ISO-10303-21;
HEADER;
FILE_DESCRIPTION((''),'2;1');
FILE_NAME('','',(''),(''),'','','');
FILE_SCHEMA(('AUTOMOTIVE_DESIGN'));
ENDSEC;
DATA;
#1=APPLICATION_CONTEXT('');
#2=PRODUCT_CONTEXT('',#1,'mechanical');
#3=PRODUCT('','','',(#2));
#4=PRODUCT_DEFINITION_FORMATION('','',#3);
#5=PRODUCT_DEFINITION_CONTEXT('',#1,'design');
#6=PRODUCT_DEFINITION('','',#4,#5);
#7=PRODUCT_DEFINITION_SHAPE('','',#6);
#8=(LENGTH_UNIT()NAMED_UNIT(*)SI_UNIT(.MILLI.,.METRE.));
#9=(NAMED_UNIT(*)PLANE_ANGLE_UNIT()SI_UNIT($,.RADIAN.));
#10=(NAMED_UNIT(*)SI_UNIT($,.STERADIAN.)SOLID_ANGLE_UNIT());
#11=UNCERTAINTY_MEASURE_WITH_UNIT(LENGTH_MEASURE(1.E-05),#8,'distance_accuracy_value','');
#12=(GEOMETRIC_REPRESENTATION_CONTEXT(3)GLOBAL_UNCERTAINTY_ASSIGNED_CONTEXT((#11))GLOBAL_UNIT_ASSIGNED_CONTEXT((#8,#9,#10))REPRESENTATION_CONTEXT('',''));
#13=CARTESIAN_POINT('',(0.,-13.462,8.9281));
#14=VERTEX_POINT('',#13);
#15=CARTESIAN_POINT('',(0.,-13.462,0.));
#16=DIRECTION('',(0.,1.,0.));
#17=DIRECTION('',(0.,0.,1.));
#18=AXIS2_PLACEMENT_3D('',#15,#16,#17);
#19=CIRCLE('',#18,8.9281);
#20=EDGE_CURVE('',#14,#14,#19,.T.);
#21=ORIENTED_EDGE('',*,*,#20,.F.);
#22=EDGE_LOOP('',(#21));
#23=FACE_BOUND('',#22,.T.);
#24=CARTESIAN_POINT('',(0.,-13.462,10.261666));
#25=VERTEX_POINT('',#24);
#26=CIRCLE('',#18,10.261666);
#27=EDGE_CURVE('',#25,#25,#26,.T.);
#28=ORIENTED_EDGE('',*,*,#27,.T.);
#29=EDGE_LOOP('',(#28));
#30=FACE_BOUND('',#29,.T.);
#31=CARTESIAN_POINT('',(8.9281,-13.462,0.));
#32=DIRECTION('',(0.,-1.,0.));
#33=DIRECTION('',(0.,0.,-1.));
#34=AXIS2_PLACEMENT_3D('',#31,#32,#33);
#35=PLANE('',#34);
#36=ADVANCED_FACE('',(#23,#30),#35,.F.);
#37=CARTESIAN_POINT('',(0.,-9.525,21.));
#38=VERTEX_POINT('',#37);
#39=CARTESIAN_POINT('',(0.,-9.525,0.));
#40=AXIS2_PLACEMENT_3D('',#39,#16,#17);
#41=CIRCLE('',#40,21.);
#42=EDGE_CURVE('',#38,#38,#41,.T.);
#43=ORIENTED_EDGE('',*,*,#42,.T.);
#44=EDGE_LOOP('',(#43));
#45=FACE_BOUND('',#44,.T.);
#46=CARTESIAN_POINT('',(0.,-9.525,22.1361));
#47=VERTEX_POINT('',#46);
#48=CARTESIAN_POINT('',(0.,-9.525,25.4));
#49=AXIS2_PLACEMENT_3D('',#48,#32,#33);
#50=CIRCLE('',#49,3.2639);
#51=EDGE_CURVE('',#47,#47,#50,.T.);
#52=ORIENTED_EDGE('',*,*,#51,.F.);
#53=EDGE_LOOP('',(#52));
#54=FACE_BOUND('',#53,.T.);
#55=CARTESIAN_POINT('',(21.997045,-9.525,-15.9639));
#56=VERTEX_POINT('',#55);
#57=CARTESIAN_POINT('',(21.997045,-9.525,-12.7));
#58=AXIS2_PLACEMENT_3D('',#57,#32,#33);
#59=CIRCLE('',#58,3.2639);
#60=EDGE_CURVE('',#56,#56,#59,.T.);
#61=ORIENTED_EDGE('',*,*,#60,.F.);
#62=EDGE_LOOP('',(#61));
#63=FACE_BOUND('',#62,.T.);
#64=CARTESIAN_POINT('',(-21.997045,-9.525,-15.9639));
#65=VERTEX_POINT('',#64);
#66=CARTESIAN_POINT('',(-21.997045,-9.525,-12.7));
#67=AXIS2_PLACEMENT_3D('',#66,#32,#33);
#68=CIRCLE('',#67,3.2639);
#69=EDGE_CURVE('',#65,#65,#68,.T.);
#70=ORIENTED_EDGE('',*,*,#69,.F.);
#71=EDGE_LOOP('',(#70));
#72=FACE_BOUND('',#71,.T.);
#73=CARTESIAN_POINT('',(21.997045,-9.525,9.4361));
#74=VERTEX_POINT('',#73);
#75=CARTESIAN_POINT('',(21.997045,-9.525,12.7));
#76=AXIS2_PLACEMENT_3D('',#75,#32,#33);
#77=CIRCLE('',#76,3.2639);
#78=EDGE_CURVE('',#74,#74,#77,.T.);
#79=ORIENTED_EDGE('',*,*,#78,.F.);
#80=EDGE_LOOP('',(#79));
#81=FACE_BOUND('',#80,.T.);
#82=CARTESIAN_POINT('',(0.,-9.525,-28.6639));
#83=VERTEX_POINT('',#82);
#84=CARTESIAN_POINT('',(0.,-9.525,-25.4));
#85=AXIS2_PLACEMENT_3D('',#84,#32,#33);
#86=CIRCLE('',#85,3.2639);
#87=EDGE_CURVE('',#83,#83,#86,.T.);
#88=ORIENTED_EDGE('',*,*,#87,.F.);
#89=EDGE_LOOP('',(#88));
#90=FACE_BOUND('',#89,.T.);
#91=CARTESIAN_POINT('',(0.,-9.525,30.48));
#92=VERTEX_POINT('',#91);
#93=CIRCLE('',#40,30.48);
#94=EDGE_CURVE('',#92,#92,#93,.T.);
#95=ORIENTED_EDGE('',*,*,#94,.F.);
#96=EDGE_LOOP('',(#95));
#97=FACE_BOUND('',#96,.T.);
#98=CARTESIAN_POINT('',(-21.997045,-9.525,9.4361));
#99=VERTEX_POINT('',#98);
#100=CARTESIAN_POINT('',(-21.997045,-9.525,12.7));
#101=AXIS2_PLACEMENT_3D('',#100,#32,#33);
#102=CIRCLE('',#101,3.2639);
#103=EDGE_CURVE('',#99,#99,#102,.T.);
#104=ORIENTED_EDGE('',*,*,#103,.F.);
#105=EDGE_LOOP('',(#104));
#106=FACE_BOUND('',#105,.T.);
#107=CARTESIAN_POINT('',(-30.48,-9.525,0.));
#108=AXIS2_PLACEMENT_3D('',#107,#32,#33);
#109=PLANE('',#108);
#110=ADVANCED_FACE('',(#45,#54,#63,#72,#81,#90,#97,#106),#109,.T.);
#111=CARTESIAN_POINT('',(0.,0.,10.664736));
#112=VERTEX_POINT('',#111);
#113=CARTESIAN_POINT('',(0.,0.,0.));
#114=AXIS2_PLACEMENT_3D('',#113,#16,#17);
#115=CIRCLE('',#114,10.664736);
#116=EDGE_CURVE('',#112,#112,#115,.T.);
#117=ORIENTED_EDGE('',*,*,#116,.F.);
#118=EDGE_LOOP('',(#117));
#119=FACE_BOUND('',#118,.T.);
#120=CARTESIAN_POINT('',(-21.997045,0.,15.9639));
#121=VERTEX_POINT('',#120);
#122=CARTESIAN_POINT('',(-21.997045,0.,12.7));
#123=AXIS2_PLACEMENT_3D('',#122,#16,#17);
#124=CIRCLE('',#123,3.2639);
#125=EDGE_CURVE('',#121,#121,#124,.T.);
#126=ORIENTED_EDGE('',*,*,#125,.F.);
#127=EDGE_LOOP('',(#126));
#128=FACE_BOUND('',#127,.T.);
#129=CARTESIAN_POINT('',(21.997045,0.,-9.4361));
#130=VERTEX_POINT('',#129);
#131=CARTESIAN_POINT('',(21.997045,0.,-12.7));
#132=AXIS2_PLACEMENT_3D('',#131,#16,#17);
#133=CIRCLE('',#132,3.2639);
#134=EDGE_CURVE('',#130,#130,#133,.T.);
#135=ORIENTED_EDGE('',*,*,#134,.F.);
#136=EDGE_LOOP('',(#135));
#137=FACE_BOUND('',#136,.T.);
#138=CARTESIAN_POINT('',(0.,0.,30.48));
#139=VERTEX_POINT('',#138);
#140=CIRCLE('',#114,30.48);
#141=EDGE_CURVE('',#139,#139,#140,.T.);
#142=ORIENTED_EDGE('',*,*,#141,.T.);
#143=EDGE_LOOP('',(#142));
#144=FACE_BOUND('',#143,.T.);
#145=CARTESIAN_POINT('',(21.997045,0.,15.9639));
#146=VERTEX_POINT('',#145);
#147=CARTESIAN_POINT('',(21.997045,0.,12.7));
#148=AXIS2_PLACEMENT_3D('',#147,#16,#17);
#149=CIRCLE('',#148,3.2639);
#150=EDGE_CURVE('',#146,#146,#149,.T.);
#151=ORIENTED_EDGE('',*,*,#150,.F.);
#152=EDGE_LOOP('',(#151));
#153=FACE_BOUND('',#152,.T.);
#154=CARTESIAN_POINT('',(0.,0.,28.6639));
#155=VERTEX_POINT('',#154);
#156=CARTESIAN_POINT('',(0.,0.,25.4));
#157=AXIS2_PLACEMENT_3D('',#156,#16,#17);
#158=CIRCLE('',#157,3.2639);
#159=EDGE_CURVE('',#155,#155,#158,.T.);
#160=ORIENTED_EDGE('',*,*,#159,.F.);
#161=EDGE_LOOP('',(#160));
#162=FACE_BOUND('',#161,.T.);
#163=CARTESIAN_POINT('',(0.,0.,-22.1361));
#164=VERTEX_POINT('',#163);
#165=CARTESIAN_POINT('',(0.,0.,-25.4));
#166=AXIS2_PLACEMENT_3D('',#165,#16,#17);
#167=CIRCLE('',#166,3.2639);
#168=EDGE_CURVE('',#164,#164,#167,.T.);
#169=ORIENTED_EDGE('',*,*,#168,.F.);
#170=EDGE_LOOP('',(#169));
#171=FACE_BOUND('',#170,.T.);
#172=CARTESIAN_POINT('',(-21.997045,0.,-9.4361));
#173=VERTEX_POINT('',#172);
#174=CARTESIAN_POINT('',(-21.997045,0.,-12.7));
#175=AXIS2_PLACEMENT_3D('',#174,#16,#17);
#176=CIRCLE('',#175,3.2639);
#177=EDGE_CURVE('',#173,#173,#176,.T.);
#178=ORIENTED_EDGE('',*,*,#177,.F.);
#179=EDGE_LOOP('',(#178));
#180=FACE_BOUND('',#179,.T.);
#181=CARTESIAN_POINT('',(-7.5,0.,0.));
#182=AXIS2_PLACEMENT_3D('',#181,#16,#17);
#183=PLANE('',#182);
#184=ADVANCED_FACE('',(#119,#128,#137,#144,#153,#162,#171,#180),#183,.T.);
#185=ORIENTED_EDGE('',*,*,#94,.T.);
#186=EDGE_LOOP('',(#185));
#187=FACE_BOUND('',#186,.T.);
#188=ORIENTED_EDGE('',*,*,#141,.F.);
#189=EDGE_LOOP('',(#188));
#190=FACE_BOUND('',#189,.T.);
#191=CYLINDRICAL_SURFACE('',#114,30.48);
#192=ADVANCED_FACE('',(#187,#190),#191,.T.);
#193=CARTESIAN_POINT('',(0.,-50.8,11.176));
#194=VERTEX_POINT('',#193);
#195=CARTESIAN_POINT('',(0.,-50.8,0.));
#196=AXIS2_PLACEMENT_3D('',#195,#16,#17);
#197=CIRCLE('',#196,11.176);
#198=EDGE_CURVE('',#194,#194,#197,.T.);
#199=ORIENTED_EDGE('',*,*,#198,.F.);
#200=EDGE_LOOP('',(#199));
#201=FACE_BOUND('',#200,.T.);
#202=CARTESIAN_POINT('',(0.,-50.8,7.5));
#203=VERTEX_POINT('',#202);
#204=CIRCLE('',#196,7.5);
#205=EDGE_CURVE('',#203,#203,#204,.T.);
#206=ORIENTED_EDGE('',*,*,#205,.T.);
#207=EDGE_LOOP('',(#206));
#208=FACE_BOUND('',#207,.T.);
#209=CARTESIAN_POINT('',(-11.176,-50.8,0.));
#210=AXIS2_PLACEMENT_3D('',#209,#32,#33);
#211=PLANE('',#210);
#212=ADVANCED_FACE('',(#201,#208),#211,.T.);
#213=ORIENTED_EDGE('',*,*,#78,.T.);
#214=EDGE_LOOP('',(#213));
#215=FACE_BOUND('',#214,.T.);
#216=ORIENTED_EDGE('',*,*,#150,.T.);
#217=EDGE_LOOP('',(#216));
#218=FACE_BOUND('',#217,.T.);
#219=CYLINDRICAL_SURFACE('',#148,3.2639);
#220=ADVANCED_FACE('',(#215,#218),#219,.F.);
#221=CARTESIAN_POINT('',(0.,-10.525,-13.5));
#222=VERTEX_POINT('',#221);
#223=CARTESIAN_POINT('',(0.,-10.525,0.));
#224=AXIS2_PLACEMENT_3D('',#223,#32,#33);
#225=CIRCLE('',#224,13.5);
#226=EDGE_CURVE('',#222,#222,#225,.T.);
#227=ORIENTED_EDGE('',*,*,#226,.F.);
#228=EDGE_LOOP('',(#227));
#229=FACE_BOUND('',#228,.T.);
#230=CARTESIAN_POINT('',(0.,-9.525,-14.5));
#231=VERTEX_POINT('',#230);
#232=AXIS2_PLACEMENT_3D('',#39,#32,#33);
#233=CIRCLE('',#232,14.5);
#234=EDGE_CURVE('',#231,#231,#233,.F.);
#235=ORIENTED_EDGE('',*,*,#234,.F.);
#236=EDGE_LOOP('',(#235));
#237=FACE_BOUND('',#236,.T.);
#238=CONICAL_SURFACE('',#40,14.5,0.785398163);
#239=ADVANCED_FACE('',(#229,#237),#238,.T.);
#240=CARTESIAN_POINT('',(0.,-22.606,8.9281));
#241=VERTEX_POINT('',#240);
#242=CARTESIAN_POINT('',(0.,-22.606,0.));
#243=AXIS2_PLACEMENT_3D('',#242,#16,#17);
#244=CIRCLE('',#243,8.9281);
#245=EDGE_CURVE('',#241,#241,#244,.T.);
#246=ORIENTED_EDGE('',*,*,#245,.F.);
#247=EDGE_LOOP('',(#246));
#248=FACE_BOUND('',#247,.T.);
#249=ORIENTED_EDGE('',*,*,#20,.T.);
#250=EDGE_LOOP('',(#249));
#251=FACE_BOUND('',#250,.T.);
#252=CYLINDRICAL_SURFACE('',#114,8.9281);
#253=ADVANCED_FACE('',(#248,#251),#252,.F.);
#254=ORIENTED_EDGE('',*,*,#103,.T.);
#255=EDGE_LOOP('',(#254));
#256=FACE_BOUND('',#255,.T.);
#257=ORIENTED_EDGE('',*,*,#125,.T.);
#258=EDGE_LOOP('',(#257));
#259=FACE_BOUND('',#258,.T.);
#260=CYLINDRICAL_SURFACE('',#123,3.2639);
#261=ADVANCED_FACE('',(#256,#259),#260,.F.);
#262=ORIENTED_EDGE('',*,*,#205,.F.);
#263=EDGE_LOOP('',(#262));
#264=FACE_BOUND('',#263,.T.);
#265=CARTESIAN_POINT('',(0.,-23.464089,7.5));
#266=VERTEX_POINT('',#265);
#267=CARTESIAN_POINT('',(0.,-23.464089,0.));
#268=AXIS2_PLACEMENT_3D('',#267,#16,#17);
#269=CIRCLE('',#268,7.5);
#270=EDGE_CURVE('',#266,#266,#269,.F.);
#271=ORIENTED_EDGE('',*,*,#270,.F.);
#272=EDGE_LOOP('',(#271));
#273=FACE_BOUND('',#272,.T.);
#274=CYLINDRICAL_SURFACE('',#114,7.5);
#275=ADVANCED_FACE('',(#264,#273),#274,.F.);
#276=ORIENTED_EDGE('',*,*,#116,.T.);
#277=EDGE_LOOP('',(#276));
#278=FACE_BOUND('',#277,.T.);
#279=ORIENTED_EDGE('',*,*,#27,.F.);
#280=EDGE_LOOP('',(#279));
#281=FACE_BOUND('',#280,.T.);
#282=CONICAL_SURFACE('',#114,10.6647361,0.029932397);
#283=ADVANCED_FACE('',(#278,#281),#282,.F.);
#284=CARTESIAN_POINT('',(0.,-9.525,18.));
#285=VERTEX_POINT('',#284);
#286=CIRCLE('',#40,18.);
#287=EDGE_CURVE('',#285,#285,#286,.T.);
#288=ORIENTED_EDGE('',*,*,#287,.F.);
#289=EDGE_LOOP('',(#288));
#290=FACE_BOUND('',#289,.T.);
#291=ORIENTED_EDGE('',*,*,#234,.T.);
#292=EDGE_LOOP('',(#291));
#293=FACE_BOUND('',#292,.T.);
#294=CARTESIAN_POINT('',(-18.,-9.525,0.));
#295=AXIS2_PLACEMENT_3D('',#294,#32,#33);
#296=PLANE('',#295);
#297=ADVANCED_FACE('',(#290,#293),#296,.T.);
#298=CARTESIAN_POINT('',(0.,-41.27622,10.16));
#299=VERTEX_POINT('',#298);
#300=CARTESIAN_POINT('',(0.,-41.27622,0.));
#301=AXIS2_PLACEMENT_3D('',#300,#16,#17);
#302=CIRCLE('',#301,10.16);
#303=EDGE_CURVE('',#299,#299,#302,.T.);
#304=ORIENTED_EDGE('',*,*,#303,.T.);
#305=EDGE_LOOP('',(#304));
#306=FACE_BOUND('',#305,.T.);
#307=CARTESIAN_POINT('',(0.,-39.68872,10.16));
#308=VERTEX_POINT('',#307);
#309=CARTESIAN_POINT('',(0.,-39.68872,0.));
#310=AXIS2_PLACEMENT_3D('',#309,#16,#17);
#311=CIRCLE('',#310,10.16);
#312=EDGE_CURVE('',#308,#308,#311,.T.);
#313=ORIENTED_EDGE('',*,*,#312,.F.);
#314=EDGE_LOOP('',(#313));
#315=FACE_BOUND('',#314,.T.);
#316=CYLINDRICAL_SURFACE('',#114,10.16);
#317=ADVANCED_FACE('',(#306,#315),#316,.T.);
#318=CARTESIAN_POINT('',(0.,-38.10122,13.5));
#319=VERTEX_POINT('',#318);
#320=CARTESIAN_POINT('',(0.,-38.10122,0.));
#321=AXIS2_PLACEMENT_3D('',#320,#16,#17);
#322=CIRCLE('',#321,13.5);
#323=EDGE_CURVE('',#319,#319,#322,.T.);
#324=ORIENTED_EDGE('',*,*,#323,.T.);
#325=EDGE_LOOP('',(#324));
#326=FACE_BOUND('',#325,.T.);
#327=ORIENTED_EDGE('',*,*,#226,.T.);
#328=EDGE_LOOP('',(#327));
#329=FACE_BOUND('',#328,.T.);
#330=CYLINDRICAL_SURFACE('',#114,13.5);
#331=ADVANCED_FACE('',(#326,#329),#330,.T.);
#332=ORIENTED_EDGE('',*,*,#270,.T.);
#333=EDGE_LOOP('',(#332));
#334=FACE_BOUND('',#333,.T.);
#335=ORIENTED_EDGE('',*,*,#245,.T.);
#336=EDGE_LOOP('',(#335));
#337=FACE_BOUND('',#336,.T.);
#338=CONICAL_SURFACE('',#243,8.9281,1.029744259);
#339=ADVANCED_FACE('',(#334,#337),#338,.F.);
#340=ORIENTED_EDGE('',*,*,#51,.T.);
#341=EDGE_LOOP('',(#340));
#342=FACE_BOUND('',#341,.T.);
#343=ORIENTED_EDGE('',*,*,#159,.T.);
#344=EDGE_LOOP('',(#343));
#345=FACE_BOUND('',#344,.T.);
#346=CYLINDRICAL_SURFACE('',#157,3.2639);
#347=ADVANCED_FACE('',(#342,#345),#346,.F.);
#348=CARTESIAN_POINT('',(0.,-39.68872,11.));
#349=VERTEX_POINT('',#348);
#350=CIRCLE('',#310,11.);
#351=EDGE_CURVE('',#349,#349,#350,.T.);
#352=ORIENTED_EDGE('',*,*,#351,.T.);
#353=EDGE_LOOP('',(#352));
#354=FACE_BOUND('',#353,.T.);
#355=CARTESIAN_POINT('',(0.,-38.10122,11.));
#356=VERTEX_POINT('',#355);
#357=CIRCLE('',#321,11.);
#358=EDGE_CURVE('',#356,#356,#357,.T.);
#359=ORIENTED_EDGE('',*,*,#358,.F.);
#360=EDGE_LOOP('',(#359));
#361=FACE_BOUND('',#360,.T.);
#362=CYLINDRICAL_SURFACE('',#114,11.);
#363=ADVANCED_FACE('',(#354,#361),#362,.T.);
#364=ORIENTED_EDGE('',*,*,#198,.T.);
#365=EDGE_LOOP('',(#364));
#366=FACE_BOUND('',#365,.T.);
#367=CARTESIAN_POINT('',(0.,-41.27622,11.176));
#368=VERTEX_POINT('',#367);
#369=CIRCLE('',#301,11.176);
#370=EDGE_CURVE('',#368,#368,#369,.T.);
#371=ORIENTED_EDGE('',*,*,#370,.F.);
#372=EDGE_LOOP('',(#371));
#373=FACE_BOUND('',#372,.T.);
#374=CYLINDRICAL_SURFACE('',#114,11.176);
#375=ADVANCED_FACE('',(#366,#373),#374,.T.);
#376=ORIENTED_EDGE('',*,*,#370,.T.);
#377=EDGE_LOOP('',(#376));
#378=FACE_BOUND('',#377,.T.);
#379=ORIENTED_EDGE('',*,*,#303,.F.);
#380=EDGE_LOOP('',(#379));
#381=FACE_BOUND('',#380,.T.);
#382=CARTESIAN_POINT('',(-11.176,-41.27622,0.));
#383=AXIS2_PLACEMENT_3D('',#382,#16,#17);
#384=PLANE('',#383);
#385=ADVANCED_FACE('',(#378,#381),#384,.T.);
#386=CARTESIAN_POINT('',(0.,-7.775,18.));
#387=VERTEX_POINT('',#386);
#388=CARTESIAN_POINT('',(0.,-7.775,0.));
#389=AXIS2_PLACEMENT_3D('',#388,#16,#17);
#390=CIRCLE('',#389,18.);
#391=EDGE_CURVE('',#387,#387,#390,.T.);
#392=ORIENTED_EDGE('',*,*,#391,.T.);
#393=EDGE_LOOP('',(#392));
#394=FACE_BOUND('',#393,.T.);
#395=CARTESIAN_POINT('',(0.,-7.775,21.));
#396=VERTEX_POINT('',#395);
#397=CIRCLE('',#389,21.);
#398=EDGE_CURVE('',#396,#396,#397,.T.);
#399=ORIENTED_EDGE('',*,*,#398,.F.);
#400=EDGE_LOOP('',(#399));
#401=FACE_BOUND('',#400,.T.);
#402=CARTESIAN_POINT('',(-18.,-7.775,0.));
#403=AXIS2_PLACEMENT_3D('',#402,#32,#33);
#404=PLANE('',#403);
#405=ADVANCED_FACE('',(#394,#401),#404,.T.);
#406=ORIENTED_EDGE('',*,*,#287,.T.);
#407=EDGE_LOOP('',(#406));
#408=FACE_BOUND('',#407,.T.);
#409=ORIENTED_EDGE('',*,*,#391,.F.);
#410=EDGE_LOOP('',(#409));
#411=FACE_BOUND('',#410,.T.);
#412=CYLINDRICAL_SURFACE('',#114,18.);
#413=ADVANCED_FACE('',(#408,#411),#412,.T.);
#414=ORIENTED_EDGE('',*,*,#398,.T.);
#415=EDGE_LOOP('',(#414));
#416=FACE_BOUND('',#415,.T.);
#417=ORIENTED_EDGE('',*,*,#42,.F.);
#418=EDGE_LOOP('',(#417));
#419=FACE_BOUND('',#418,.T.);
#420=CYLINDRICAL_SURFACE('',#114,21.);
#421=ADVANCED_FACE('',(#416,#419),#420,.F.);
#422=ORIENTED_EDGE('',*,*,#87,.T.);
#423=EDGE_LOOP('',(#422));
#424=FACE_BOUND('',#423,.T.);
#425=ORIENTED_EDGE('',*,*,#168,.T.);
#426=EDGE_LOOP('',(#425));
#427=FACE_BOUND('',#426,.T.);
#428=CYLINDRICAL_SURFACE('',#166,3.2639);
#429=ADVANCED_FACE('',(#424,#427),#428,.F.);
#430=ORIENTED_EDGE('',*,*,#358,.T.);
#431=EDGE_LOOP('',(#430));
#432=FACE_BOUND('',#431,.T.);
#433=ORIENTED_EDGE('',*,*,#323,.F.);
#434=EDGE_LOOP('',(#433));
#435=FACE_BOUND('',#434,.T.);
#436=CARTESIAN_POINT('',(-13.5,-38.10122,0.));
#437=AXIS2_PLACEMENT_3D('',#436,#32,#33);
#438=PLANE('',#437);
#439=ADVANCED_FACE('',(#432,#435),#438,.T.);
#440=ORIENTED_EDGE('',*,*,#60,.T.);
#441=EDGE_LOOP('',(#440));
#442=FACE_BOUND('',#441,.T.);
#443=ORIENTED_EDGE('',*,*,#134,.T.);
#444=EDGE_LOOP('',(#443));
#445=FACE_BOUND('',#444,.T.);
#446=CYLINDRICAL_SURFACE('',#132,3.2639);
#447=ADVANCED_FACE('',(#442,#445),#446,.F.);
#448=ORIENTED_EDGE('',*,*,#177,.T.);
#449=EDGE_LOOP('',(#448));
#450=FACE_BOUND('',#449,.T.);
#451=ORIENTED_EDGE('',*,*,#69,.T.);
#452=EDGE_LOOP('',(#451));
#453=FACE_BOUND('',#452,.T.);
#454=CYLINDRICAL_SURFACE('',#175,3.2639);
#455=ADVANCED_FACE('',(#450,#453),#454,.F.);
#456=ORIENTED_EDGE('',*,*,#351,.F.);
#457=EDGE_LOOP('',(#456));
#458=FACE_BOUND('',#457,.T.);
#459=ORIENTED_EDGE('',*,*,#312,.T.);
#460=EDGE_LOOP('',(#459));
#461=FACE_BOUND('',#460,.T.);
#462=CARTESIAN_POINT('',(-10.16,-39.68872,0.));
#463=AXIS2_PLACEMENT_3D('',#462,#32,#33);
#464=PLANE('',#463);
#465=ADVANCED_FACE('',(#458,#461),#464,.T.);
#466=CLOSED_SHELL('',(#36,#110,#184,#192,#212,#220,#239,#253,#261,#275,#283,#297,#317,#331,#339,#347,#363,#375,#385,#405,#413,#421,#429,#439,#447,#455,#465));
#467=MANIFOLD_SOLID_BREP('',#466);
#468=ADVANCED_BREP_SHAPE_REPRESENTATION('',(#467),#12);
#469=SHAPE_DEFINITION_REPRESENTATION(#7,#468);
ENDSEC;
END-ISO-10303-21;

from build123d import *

# Parameters (mm, degrees)
F_1_4_CLEARANCE_HOLE1_D     = 6.5278
F_1_4_CLEARANCE_HOLE1_DEPTH = 22.606
F_1_4_CLEARANCE_HOLE1_TIP   = 1.961148974
CHAMFER1_SIZE               = 1


with BuildPart() as part:
    # Sketch1 → Revolve1 (revolve)
    with BuildSketch(Plane.XY, mode=Mode.PRIVATE) as revolve1_sk:
        Polygon((-7.5, 0), (-30.48, 0), (-30.48, -9.525), (-21, -9.525), (-21, -7.775), (-18, -7.775), (-18, -9.525), (-13.5, -9.525), (-13.5, -38.101219586), (-11, -38.101219586), (-11, -39.688719586), (-10.16, -39.688719586), (-10.16, -41.276219586), (-11.176, -41.276219586), (-11.176, -50.8), (-7.5, -50.8), align=None)
    revolve(revolve1_sk.sketch.rotate(Axis((0, 0, 0), (0, -1, 0)), 270), axis=Axis((0, 0, 0), (0, -1, 0)))

    # Sketch3 → 1/2 NPT Tapped Hole1 (revolve, cut)
    with BuildSketch(Plane(origin=(0, 0, 0), x_dir=(0, 0, 1), z_dir=(1, 0, 0))):
        Polygon((0, 0), (0, 27.970543693), (8.9281, 22.606), (8.9281, 13.462), (10.261665792, 13.462), (10.6647361, 0), align=None)
    revolve(axis=Axis((0, 6.35, 0), (0, -1, 0)), mode=Mode.SUBTRACT)

    # 1/4 Clearance Hole1
    with Locations(Plane(origin=(0, 0, 0), x_dir=(1, 0, 0), z_dir=(0, 1, 0))):
        with Locations((21.997045256, 12.7), (0, 25.4), (-21.997045256, 12.7), (-21.997045256, -12.7), (0, -25.4), (21.997045256, -12.7)):
            Hole(F_1_4_CLEARANCE_HOLE1_D / 2, depth=F_1_4_CLEARANCE_HOLE1_DEPTH)
            with Locations((0, 0, -(F_1_4_CLEARANCE_HOLE1_DEPTH + F_1_4_CLEARANCE_HOLE1_TIP / 2))):  # 118° drill point
                Cone(0, F_1_4_CLEARANCE_HOLE1_D / 2, F_1_4_CLEARANCE_HOLE1_TIP, mode=Mode.SUBTRACT)

    # Chamfer1
    chamfer1_edges = [part.edges().sort_by_distance(p)[0] for p in [
        (0, -9.525, -13.5),
    ]]
    chamfer(chamfer1_edges, length=CHAMFER1_SIZE)


solid = part.part
